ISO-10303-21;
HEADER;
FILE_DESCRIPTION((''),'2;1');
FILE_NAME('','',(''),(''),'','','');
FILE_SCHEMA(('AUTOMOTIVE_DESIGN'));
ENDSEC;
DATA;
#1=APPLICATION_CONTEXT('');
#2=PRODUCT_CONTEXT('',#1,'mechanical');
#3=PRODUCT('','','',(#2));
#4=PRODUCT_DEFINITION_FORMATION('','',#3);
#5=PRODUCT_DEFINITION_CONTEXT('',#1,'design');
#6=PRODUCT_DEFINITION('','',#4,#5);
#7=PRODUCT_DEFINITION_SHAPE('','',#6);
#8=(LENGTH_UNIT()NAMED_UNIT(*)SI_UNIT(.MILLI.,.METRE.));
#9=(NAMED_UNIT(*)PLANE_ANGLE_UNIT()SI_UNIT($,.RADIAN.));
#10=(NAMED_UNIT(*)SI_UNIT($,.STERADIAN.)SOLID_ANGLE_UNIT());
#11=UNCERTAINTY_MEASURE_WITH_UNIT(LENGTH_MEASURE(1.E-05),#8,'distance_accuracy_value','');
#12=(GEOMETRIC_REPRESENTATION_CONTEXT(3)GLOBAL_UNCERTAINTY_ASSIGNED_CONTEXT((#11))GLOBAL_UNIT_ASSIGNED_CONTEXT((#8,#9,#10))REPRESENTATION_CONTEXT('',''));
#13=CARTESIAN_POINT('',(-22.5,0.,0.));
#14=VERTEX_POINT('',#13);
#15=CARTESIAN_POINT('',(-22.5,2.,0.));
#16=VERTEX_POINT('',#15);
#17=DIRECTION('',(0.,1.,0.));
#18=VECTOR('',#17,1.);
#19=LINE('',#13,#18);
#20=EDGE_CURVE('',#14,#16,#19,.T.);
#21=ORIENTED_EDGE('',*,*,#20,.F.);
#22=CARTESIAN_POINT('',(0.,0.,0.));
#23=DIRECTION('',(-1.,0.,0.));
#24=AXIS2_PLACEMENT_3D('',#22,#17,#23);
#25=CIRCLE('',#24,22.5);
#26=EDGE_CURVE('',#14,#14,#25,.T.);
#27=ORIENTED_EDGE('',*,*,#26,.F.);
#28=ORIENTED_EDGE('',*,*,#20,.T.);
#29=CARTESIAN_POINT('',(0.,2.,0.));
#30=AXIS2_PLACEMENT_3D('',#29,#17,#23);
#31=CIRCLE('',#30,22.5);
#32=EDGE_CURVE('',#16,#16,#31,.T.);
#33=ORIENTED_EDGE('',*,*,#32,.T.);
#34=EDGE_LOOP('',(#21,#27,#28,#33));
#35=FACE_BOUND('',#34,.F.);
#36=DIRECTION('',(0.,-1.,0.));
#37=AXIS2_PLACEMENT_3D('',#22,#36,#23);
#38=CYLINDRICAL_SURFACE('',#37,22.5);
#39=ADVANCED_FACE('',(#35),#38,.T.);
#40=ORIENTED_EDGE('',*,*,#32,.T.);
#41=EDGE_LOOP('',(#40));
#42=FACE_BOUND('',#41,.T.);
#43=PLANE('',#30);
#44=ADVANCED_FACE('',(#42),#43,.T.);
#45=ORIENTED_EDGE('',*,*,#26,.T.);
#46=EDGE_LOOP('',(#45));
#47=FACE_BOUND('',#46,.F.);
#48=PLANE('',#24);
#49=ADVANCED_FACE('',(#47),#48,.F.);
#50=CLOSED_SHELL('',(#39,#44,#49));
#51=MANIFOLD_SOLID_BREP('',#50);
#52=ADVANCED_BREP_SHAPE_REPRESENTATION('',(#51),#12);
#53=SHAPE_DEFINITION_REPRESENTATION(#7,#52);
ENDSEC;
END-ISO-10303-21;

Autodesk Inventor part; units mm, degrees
ref_plane "YZ Plane" through (0, 0, 0) normal (1, 0, 0) x (0, 1, 0)
ref_plane "XZ Plane" through (0, 0, 0) normal (0, 1, 0) x (-1, 0, 0)
ref_plane "XY Plane" through (0, 0, 0) normal (0, 0, 1) x (1, 0, 0)
sketch "Sketch1" plane through (0, 0, 0) normal (0, 1, 0) x (-1, 0, 0)
  circle A0 centre (0, 0) radius 22.5
  dimension "d0" = 45
extrude "Extrusion1" add sketch "Sketch1" along normal blind 2
sketch "Sketch2" plane through (0, 2, 0) normal (0, 1, 0) x (1, 0, 0)
  point P0 (0, 0)
equation "\"BendRadius\" = Thickness"
equation "\"BendReliefWidth\" = Thickness"
equation "\"BendReliefDepth\" = 0.5 * Thickness"
equation "\"CornerReliefSize\" = 4 * Thickness"
equation "\"MinimumRemnant\" = 2 * Thickness"
equation "\"TransitionRadius\" = BendRadius"
equation "\"JacobiRadiusSize\" = BendRadius"
equation "\"GapSize\" = Thickness"
equation "\"Thickness\" = 0.5"
properties part number "45"
